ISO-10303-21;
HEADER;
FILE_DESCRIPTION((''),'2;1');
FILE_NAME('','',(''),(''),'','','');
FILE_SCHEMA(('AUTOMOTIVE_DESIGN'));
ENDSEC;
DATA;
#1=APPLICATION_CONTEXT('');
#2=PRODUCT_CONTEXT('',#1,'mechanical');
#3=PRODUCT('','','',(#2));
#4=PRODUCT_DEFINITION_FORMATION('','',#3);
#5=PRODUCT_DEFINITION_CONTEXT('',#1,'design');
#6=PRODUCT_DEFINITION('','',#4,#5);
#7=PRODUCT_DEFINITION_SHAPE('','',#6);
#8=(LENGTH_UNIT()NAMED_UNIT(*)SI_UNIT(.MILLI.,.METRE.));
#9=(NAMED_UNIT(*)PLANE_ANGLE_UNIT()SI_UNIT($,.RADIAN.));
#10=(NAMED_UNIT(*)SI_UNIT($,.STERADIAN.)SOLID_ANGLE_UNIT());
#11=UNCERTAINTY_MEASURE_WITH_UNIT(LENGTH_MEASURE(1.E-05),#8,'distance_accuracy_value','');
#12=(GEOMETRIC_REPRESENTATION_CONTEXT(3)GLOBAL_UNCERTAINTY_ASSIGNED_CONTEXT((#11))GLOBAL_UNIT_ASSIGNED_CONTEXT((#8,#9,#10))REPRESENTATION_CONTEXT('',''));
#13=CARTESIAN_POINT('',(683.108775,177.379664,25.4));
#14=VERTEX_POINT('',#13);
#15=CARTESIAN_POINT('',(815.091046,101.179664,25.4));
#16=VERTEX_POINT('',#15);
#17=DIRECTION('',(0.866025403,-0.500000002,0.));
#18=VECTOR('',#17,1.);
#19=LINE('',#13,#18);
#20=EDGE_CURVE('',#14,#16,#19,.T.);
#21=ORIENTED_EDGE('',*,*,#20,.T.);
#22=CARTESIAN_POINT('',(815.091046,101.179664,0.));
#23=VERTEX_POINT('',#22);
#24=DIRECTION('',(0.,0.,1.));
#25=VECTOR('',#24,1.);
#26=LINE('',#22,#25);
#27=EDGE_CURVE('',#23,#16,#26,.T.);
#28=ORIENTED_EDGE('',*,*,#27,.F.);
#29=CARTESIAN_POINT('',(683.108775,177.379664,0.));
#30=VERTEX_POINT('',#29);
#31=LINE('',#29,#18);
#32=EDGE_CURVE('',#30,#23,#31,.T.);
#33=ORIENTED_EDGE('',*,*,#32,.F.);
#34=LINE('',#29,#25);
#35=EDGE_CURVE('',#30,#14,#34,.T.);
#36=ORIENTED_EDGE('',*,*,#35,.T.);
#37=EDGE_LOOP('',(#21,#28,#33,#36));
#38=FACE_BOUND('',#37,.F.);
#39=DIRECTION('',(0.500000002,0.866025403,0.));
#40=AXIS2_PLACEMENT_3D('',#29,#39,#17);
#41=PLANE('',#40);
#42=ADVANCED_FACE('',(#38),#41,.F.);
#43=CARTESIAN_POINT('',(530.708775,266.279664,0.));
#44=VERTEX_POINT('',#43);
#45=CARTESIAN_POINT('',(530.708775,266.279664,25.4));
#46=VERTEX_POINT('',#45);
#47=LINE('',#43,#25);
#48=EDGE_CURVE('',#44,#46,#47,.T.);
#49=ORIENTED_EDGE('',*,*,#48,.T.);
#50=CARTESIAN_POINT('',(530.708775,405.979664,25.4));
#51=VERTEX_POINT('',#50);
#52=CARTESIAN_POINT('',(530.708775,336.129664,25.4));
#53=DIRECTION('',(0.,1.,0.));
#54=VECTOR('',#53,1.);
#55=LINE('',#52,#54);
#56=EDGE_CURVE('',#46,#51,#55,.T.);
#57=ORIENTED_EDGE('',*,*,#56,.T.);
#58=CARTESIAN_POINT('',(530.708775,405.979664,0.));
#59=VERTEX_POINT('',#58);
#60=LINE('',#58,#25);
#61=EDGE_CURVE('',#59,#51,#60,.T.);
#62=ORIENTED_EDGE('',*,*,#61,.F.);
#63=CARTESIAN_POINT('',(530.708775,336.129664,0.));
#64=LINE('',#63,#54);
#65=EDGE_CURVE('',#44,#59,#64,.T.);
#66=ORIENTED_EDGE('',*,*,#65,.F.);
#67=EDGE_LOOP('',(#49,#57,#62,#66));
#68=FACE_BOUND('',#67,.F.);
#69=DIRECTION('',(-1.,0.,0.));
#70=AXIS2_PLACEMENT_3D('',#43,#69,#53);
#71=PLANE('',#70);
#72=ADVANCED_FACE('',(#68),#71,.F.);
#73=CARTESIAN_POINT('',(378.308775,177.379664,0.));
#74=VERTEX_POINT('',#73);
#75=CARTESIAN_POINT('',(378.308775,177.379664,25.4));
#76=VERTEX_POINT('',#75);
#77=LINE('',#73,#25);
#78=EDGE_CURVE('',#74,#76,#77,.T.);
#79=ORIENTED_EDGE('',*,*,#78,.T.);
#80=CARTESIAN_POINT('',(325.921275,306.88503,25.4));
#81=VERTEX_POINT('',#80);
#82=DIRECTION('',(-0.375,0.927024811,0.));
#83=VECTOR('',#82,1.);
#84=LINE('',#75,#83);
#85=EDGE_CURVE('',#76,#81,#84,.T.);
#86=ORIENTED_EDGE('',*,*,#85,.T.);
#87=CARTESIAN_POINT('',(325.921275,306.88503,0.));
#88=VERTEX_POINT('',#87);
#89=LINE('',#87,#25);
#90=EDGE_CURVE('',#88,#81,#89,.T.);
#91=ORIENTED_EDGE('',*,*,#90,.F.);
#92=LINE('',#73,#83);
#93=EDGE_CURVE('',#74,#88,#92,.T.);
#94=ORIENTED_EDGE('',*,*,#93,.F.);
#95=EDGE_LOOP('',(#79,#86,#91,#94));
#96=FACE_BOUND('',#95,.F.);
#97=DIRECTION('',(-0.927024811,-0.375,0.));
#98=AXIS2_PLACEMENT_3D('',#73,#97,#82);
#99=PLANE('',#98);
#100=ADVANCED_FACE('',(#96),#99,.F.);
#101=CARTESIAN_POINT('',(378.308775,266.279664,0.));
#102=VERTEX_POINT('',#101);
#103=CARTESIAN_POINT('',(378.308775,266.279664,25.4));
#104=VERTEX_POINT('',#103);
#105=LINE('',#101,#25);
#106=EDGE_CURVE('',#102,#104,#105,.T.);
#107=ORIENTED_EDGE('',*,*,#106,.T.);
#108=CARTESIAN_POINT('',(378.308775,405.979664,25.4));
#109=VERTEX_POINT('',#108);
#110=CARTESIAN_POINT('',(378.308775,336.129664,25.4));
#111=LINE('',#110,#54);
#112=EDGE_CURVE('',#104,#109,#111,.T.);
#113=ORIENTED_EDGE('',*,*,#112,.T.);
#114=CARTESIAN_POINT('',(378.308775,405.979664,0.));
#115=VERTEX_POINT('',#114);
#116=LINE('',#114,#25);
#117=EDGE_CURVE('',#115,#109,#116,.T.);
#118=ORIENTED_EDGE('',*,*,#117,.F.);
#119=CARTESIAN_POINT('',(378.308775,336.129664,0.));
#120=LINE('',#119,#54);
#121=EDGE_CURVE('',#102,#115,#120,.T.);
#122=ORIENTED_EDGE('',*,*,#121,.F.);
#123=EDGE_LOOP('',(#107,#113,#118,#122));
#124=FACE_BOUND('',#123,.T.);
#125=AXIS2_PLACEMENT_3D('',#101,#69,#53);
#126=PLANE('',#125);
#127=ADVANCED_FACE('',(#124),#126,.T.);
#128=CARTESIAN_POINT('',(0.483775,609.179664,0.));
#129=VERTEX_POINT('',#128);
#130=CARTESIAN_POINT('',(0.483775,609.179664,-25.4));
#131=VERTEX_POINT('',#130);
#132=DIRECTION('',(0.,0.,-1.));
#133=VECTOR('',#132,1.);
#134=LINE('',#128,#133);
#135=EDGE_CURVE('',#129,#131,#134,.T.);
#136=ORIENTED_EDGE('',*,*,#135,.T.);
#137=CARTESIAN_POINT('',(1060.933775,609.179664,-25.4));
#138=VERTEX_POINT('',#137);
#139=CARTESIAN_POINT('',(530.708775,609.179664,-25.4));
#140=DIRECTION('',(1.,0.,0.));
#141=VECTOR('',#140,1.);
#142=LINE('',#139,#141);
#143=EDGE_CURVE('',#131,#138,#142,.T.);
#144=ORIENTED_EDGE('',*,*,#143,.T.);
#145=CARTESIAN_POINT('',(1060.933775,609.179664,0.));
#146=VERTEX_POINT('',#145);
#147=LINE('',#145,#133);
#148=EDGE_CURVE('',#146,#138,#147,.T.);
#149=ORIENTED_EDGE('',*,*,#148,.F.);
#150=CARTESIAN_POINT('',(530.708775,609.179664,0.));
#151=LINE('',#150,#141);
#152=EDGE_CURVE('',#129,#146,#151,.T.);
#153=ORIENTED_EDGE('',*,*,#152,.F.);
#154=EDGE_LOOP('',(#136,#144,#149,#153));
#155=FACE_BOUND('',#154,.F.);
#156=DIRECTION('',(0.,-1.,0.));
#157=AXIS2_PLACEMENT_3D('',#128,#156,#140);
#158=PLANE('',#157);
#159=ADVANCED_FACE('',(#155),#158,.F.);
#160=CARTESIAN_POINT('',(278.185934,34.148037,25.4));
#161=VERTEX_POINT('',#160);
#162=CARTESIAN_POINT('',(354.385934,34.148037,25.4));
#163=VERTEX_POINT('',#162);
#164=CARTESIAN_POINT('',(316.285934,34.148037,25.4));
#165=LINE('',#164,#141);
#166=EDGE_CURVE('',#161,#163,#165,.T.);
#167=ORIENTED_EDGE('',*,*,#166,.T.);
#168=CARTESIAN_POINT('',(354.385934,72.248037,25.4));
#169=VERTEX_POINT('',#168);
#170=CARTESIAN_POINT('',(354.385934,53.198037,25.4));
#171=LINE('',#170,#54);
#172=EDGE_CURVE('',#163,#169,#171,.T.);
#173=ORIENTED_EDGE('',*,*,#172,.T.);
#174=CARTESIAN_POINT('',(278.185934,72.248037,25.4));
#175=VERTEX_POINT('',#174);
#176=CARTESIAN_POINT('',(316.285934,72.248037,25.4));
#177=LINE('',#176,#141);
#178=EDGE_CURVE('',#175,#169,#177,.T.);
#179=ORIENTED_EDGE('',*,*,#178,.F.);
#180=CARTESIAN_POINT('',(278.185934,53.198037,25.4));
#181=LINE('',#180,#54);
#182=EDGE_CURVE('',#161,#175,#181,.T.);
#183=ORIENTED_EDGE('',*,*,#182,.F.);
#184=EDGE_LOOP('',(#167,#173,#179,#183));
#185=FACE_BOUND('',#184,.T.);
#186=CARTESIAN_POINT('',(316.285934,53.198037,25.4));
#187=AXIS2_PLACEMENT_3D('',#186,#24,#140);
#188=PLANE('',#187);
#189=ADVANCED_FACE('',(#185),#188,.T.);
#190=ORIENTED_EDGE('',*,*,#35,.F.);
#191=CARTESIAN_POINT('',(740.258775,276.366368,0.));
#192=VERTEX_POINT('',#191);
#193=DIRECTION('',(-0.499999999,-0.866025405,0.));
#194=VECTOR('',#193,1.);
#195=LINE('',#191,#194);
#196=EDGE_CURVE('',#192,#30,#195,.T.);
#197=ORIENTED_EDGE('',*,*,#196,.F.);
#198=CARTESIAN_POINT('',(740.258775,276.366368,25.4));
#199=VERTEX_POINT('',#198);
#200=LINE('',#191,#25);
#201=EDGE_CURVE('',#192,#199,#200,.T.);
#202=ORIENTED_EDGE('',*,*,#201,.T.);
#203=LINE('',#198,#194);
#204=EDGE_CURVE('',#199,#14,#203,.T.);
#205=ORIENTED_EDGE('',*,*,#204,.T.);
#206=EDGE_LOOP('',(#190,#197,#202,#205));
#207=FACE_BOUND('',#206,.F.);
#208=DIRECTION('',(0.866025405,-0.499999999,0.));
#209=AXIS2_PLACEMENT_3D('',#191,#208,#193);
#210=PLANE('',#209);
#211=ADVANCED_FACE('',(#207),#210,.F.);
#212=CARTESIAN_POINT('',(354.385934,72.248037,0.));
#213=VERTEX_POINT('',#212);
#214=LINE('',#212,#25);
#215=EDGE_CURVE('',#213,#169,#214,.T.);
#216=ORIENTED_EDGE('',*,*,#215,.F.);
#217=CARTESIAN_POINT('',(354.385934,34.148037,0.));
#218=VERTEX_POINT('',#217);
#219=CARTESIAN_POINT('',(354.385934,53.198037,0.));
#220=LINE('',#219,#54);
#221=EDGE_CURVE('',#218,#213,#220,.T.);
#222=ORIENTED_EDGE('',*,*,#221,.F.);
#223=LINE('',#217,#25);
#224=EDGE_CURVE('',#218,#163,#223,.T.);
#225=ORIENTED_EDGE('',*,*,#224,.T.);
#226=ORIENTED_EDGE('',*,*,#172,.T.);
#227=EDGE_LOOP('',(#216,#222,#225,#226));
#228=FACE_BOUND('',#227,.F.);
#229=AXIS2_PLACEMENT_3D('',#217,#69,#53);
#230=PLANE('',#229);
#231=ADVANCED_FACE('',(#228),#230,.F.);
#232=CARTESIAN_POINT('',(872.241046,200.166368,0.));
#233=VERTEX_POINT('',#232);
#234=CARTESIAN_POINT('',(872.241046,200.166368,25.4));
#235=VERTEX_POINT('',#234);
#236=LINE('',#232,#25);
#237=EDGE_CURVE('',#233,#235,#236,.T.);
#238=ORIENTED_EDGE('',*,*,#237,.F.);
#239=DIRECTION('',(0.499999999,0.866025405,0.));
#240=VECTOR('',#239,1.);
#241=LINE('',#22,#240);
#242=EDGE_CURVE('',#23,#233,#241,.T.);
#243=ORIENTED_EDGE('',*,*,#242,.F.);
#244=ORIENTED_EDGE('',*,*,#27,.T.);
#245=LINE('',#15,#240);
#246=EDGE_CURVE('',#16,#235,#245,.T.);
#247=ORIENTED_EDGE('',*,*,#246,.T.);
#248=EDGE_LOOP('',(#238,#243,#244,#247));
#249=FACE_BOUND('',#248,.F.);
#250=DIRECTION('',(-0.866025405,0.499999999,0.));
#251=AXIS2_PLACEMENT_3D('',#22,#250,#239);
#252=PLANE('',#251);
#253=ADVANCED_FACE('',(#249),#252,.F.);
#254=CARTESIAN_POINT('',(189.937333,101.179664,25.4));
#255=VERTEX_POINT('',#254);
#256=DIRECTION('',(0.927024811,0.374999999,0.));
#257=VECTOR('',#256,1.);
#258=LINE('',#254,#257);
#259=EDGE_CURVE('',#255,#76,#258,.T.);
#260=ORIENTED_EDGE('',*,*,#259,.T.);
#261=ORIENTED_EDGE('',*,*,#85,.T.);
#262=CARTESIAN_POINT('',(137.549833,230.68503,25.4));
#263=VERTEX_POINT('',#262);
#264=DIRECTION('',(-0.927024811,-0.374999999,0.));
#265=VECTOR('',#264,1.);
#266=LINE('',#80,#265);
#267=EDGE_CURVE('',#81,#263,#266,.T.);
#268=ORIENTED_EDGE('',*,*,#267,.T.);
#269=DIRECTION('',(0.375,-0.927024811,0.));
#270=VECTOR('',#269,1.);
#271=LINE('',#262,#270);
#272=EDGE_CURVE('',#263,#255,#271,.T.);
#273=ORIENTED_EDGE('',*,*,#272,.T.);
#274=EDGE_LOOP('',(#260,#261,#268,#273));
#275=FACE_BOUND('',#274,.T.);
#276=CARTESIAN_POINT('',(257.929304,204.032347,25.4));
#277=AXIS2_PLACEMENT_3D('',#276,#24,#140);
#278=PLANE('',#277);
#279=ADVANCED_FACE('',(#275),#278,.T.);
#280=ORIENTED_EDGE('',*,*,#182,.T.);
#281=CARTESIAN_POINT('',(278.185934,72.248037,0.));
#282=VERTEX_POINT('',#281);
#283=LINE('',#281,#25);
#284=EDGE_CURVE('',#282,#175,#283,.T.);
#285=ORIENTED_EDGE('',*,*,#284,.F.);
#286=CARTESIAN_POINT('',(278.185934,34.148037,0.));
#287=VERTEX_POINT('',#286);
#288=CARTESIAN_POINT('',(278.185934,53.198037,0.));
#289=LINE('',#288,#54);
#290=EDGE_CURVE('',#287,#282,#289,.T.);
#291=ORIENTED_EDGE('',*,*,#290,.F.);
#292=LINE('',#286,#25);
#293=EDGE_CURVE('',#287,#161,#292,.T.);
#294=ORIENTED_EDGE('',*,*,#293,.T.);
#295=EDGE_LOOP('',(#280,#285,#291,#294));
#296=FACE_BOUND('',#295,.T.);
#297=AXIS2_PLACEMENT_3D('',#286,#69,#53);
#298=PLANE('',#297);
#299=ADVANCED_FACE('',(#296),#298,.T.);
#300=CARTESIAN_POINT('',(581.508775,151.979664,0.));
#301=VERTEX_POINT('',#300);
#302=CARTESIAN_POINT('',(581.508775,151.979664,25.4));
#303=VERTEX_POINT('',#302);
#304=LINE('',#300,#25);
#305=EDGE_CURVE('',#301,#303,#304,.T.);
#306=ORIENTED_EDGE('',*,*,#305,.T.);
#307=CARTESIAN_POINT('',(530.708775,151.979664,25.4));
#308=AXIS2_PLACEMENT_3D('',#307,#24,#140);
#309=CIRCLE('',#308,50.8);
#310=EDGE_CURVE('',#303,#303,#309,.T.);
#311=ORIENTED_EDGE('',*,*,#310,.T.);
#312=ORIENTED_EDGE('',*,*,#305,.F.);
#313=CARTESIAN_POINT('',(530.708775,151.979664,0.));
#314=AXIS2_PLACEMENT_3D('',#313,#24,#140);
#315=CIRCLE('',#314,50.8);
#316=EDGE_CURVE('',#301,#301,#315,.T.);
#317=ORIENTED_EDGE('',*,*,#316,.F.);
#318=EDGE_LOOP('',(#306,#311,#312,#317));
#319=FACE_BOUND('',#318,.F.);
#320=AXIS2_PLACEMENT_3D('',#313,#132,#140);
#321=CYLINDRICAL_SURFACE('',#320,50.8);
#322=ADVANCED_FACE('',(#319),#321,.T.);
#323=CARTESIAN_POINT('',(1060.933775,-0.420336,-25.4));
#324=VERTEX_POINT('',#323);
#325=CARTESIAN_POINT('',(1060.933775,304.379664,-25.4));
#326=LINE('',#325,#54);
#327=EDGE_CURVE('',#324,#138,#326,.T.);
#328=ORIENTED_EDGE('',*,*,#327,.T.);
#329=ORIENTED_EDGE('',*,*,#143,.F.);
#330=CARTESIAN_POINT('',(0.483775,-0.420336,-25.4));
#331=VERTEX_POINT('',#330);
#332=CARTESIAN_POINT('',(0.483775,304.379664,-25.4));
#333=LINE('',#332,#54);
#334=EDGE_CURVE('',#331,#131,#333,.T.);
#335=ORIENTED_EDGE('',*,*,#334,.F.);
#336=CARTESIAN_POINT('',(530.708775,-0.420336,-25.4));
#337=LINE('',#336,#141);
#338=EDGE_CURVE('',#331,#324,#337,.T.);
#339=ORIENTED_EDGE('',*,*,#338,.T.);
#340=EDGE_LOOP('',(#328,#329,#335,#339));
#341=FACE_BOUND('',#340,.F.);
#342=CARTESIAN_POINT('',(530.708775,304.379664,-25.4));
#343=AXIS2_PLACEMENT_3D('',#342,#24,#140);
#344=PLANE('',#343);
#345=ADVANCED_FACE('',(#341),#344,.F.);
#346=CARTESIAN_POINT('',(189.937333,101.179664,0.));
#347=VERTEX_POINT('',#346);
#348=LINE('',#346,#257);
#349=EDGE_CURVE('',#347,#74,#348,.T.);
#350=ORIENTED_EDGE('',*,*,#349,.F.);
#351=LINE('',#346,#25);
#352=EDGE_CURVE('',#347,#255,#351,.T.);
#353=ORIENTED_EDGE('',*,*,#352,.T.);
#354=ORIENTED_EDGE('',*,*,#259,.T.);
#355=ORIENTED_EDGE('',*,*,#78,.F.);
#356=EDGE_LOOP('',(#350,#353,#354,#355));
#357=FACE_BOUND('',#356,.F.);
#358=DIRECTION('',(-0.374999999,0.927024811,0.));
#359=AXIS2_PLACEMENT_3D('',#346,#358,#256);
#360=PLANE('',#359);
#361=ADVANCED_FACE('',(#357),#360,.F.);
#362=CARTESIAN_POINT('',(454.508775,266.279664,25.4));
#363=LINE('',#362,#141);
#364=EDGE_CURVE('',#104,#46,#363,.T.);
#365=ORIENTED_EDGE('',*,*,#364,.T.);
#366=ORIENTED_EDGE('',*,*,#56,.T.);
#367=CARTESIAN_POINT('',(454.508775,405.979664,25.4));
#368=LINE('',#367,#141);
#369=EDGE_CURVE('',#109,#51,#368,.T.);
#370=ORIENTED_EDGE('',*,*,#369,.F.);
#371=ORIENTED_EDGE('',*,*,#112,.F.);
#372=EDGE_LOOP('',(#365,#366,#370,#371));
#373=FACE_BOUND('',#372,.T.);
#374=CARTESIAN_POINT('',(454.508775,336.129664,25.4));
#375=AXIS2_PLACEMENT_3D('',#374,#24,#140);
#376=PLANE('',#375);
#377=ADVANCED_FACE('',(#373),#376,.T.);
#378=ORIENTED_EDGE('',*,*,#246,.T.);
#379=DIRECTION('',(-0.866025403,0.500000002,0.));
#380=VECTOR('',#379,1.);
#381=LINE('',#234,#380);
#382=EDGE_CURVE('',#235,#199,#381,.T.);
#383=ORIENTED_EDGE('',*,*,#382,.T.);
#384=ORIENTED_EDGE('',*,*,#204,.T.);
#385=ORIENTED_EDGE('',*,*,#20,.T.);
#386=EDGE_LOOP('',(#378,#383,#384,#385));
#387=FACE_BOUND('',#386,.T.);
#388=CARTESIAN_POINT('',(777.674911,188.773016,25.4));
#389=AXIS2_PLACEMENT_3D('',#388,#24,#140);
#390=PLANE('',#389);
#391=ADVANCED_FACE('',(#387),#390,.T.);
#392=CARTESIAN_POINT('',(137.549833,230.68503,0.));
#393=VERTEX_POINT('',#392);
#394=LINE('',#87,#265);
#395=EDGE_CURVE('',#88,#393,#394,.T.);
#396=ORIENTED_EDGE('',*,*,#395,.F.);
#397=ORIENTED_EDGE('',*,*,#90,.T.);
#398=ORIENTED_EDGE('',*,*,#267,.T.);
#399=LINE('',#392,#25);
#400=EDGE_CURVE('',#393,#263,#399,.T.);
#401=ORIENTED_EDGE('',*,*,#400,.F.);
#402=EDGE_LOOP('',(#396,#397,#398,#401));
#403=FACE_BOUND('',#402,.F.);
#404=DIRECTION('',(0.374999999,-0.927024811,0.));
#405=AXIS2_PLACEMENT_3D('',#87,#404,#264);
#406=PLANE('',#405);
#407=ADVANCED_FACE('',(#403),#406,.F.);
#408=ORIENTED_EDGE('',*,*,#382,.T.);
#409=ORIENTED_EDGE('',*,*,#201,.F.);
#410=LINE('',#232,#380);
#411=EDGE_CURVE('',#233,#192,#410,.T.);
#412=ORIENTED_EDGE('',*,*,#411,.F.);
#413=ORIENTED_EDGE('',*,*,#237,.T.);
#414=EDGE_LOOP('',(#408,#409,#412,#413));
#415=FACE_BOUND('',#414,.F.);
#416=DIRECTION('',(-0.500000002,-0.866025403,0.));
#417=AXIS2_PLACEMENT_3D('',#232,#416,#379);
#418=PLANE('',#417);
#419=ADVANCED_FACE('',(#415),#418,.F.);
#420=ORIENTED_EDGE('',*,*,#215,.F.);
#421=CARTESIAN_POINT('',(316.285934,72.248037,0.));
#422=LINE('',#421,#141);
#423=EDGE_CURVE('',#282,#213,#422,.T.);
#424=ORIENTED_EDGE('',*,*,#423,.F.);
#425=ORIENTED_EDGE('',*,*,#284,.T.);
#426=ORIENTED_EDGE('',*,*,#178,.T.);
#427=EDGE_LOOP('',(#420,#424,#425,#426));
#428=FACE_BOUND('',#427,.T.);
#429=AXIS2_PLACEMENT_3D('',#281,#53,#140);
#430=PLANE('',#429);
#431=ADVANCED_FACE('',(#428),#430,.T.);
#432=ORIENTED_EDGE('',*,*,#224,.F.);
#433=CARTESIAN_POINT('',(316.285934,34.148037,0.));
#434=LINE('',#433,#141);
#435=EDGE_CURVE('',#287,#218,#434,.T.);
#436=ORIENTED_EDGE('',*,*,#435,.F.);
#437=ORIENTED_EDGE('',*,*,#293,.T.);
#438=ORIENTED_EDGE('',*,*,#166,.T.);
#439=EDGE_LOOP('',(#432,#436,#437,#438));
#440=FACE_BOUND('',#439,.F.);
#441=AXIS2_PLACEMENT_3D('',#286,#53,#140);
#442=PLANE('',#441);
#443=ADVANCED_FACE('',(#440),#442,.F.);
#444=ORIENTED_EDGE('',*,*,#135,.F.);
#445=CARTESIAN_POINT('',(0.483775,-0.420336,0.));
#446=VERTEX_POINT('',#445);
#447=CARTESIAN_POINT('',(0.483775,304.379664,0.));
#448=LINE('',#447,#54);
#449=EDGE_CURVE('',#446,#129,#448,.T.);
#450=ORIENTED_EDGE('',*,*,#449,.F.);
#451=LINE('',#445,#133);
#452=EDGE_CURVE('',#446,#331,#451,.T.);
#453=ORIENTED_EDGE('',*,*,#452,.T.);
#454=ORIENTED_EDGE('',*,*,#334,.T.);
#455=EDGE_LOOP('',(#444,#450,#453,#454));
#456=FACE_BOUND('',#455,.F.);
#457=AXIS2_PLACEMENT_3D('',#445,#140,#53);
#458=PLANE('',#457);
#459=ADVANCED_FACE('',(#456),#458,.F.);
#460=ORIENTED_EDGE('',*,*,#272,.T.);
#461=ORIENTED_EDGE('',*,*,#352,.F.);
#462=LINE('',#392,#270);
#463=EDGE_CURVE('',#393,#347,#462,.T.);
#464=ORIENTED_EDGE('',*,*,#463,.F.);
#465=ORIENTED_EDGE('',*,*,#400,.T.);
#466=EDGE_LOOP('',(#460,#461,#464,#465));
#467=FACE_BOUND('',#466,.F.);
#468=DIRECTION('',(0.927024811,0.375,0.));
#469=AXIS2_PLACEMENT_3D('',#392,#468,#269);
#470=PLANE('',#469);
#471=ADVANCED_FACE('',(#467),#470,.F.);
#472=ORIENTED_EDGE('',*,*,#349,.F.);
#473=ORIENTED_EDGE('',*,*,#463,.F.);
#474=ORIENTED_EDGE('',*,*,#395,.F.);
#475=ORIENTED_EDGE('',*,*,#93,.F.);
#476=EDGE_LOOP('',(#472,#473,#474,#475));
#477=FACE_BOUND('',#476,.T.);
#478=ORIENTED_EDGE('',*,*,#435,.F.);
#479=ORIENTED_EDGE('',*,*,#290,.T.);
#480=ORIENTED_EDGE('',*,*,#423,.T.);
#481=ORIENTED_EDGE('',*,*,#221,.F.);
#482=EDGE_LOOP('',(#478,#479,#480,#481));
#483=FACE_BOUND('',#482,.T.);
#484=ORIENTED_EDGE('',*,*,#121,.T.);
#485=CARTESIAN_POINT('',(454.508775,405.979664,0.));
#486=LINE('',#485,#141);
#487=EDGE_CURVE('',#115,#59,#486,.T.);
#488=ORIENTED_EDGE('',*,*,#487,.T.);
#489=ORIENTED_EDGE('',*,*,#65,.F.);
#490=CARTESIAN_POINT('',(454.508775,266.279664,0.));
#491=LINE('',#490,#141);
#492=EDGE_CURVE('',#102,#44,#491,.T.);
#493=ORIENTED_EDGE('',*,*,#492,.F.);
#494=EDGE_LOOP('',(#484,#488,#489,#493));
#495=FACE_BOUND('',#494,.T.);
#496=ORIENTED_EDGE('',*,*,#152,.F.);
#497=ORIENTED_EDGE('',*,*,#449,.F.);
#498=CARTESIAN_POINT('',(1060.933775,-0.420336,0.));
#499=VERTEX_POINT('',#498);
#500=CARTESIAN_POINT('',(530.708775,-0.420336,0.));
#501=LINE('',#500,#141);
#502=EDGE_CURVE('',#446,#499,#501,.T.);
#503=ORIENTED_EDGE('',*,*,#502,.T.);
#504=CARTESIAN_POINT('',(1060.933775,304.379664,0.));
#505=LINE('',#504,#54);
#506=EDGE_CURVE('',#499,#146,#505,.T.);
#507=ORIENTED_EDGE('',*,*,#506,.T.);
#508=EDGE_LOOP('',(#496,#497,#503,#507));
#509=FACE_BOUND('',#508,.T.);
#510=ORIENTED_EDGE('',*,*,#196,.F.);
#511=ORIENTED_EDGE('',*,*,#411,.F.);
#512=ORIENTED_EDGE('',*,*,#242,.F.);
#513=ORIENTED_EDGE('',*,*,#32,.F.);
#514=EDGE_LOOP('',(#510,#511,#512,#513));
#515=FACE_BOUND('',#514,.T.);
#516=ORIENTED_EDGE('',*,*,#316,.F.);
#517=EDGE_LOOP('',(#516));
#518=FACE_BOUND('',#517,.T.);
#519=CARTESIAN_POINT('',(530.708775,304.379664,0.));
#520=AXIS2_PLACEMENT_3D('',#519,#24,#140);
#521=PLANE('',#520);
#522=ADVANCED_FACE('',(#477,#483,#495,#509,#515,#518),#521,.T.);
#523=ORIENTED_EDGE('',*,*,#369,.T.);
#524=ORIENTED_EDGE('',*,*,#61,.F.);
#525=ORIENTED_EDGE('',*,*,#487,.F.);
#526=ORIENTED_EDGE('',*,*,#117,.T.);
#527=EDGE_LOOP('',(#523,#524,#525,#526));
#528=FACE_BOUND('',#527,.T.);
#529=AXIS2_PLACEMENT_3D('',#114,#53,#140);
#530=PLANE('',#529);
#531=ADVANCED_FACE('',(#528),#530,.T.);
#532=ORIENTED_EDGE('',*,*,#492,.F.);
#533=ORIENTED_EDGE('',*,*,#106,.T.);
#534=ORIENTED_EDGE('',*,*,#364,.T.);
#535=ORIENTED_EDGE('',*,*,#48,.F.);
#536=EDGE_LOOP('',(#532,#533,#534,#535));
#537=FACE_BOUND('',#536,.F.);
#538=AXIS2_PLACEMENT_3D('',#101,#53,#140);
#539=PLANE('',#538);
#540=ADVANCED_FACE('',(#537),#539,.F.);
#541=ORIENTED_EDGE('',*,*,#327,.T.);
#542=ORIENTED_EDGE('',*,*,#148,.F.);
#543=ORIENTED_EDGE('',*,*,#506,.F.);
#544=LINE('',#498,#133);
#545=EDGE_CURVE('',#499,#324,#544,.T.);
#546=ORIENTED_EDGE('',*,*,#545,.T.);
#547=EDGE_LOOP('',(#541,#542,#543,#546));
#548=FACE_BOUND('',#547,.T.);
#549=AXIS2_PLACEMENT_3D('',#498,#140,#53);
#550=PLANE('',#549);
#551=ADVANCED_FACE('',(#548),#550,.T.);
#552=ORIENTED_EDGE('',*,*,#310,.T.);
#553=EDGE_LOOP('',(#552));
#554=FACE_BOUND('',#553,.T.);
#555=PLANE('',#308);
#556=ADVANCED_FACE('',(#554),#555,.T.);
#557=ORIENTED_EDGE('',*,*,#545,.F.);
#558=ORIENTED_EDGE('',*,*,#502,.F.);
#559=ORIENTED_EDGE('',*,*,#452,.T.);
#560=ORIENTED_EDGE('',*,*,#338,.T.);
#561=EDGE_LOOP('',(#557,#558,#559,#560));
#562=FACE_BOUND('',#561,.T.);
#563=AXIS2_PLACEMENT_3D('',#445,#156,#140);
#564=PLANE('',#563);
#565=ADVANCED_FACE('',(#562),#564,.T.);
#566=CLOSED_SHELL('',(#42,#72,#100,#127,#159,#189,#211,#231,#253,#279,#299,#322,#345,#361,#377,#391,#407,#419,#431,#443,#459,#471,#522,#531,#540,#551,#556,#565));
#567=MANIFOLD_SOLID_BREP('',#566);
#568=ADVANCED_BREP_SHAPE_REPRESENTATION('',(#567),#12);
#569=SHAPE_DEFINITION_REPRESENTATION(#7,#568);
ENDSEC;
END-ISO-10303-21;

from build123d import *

# Parameters (mm, degrees)
F0_W     = 1060.45
F0_H     = 609.6
F1_DEPTH = 25.4
F2_R     = 50.8
F2_W     = 152.4
F2_H     = 139.7
F2_W_2   = 76.2
F2_H_2   = 38.1
F3_DEPTH = 25.4


with BuildPart() as f1:
    # F0 (on Top) → F1 (new body)
    with BuildSketch(Plane.XY):
        with Locations((530.708775, 304.379664)):
            Rectangle(F0_W, F0_H)
    extrude(amount=-F1_DEPTH)

    # F2 (on face) → F3 (join)
    with BuildSketch(Plane.XY):
        Polygon((378.308775, 177.379664), (325.921275, 306.88503), (137.549833, 230.68503), (189.937333, 101.179664), align=None)
        Polygon((815.091046, 101.179664), (872.241046, 200.166368), (740.258775, 276.366368), (683.108775, 177.379664), align=None)
        with Locations((530.708775, 151.979664)):
            Circle(F2_R)
        with Locations((454.508775, 336.129664)):
            Rectangle(F2_W, F2_H)
        with Locations((316.285934, 53.198037)):
            Rectangle(F2_W_2, F2_H_2)
    extrude(amount=F3_DEPTH)


solid = f1.part
